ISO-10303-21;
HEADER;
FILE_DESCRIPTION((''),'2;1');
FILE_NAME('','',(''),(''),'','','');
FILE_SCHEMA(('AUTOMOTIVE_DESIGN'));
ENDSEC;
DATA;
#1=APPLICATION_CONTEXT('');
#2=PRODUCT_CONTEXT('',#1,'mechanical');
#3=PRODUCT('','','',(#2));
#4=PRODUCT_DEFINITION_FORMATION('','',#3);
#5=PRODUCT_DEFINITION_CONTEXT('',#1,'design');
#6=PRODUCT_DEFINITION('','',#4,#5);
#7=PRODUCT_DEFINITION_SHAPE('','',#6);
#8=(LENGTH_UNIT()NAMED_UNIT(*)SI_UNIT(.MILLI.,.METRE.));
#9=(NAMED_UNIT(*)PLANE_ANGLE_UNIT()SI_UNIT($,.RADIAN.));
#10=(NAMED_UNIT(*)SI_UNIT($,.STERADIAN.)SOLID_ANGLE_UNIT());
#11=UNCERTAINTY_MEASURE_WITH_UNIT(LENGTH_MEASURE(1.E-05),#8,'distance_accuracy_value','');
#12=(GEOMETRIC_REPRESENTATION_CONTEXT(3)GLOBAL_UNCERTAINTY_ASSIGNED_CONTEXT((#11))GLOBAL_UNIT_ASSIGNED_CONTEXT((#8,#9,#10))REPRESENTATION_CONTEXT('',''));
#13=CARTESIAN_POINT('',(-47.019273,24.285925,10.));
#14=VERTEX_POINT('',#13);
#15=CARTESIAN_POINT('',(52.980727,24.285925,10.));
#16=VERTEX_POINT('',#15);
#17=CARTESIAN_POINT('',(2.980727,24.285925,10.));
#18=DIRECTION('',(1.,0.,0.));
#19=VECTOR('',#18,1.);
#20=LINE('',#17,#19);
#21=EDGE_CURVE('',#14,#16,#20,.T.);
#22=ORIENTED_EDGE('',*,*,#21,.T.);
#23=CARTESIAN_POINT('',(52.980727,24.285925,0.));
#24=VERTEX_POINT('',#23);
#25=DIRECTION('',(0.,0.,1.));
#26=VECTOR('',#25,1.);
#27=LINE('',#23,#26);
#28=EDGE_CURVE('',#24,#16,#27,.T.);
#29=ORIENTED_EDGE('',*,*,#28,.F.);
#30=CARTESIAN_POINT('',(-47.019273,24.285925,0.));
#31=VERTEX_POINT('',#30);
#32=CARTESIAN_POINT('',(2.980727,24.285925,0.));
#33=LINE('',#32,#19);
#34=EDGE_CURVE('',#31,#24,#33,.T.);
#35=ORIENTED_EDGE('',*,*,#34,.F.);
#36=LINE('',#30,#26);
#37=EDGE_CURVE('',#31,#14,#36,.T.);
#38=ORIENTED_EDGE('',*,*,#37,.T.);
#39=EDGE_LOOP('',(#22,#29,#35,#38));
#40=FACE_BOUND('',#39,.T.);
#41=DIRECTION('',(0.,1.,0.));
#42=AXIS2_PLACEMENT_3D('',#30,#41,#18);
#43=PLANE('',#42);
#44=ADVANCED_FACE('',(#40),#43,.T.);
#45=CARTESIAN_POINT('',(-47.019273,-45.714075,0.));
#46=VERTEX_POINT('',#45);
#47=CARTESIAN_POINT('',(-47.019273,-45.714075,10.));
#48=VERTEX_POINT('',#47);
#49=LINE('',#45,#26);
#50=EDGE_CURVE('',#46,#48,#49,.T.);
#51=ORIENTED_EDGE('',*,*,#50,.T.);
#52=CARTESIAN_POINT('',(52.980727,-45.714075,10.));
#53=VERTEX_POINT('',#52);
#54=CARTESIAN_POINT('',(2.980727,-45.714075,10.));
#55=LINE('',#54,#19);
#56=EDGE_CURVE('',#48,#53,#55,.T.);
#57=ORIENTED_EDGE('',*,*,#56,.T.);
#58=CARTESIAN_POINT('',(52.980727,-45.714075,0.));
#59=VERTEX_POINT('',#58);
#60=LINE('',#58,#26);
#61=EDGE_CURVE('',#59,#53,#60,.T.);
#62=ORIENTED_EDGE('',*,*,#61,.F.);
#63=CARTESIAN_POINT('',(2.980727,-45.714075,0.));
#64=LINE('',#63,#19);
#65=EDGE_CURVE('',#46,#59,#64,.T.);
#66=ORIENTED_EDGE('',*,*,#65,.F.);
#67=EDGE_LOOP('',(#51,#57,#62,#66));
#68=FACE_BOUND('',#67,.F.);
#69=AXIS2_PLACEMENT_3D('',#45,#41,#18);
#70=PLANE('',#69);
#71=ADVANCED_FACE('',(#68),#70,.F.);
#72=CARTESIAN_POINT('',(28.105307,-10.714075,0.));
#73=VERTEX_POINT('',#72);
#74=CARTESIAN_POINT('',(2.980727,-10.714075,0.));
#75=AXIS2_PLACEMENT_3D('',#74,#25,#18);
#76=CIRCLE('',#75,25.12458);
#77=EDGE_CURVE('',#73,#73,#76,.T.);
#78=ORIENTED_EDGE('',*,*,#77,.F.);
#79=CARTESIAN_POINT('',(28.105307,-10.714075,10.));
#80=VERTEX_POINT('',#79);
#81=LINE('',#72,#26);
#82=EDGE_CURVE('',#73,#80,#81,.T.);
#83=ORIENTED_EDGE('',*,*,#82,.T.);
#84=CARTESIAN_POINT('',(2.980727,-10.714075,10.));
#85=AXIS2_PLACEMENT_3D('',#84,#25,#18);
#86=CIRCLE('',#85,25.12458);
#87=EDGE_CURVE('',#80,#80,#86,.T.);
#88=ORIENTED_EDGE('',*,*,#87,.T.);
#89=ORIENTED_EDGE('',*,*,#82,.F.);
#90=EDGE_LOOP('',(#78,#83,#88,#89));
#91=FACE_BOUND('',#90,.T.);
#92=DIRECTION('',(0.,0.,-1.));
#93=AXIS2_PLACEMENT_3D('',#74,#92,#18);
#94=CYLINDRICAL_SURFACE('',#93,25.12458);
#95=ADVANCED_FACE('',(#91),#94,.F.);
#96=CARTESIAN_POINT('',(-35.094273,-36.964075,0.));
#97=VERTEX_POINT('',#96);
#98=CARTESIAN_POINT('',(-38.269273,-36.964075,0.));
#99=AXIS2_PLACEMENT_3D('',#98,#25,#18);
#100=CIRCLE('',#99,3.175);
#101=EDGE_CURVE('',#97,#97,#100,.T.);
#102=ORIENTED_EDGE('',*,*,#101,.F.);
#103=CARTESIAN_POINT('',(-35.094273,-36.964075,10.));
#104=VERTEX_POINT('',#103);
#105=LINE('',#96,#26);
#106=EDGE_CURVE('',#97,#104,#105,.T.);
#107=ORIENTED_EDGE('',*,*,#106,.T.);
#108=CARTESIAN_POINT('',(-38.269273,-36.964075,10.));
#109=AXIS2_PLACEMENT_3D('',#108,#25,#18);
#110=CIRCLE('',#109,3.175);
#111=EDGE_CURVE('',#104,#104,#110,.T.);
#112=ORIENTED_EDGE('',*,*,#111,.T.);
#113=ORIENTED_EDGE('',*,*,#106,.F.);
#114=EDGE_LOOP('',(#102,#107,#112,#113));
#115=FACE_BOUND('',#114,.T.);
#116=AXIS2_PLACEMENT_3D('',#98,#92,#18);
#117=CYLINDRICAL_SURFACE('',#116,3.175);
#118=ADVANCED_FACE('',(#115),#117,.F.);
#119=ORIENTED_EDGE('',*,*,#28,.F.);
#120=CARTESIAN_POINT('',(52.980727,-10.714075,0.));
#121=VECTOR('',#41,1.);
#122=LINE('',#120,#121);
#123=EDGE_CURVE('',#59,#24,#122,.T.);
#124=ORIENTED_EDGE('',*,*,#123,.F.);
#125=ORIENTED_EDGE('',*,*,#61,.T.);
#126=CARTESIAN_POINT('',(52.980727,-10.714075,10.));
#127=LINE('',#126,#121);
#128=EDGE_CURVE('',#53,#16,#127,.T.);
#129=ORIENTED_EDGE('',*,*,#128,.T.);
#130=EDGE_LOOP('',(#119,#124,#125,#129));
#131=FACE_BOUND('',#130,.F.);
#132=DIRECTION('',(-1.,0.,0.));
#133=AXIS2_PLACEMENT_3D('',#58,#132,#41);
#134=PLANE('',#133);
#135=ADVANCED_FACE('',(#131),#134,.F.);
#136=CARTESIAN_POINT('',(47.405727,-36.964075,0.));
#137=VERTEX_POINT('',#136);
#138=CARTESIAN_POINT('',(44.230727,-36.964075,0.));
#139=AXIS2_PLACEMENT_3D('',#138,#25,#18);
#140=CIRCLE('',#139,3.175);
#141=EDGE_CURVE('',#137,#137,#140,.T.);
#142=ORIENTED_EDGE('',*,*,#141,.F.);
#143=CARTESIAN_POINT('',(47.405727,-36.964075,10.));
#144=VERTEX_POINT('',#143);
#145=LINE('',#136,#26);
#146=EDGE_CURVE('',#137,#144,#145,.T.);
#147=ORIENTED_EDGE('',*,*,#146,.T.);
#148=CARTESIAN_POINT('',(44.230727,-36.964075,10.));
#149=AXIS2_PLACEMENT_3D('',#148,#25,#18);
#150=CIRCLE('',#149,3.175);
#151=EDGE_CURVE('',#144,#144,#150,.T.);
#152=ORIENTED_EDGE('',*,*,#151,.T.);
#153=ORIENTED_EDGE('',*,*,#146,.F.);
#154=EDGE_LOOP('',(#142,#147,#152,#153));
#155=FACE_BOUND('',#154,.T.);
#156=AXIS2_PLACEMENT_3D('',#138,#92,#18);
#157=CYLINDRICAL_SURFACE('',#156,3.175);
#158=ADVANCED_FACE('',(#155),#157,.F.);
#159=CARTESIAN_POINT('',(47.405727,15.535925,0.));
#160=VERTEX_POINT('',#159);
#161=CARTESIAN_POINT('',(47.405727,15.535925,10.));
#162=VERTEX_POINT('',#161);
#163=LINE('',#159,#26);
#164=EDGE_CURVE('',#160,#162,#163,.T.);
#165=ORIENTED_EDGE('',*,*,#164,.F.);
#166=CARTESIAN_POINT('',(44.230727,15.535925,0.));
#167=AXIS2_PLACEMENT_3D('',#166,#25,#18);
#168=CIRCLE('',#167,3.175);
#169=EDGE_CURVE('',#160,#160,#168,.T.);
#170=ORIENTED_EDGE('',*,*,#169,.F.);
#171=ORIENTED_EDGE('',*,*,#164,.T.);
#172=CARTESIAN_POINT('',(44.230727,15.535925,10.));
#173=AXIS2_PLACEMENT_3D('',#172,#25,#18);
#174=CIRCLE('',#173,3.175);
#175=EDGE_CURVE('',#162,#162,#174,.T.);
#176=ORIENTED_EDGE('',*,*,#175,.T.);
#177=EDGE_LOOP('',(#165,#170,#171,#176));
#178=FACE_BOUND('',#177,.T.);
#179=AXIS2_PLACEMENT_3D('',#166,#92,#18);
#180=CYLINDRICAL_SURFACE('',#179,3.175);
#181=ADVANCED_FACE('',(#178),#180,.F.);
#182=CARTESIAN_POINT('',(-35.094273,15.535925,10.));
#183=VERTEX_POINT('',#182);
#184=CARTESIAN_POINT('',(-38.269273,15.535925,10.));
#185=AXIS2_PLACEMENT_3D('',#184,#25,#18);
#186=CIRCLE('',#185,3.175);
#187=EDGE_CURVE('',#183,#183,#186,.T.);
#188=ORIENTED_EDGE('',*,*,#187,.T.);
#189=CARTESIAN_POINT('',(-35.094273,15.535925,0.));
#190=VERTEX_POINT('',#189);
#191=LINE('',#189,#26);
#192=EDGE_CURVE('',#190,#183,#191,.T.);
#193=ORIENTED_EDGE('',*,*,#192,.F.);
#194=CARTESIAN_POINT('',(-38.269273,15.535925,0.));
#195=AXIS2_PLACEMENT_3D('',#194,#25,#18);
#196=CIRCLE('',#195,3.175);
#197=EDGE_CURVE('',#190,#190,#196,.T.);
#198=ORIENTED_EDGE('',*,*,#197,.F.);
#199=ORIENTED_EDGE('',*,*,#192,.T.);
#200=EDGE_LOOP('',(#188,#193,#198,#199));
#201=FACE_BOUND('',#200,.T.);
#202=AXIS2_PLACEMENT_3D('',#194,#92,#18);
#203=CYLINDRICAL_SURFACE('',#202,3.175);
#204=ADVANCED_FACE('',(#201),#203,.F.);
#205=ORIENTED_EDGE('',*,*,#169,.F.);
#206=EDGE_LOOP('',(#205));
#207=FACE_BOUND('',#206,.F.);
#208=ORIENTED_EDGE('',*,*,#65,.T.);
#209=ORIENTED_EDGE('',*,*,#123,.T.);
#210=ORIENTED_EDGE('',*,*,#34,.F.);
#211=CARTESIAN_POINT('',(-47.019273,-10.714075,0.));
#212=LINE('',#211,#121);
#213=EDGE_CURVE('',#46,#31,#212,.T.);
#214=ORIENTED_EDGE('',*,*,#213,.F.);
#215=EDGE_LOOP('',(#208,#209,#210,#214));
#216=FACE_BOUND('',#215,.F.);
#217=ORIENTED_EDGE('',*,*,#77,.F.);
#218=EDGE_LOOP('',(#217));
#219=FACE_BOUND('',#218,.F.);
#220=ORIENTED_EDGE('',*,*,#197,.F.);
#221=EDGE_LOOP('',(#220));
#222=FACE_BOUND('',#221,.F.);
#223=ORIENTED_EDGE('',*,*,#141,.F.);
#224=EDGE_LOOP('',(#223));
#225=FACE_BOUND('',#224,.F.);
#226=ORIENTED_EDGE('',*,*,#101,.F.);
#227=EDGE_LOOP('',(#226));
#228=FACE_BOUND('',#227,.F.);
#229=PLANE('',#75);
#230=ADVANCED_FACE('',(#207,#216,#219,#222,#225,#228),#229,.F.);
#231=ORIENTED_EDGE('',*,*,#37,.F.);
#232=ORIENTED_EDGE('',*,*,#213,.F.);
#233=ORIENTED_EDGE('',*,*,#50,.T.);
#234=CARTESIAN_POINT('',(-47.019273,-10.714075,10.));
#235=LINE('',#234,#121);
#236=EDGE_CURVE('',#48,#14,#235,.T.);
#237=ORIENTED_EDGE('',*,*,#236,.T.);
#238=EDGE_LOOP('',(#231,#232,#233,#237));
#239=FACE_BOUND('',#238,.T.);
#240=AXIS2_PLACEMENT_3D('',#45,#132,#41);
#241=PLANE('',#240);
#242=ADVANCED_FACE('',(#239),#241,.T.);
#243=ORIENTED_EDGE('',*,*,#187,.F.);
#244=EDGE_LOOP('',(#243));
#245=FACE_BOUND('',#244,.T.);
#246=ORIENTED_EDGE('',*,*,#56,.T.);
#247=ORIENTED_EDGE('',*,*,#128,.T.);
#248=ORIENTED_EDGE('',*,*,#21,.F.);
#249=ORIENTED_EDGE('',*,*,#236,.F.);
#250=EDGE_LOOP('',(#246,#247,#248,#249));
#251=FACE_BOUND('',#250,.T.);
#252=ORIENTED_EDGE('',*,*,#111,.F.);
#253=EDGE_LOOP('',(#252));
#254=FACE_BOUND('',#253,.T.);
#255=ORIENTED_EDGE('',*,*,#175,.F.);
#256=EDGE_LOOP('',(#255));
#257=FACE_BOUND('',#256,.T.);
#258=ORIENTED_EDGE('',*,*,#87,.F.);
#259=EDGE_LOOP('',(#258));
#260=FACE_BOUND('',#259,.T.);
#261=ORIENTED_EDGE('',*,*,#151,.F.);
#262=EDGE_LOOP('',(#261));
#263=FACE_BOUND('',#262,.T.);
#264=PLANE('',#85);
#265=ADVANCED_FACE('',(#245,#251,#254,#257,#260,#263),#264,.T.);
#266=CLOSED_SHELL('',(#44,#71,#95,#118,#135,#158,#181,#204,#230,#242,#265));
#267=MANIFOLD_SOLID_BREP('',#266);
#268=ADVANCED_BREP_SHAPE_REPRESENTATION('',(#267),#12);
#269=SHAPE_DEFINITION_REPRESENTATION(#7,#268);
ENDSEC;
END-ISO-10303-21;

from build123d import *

# Parameters (mm, degrees)
F0_W     = 100
F0_H     = 70
F0_R     = 3.175
F0_R_2   = 25.12458
F1_DEPTH = 10


with BuildPart() as f1:
    # F0 (on Top) → F1 (new body)
    with BuildSketch(Plane.XY):
        with Locations((2.980727, -10.714075)):
            Rectangle(F0_W, F0_H)
        with Locations((-38.269273, -36.964075)):
            Circle(F0_R, mode=Mode.SUBTRACT)
        with Locations((44.230727, -36.964075)):
            Circle(F0_R, mode=Mode.SUBTRACT)
        with Locations((-38.269273, 15.535925)):
            Circle(F0_R, mode=Mode.SUBTRACT)
        with Locations((2.980727, -10.714075)):
            Circle(F0_R_2, mode=Mode.SUBTRACT)
        with Locations((44.230727, 15.535925)):
            Circle(F0_R, mode=Mode.SUBTRACT)
    extrude(amount=F1_DEPTH)


solid = f1.part
